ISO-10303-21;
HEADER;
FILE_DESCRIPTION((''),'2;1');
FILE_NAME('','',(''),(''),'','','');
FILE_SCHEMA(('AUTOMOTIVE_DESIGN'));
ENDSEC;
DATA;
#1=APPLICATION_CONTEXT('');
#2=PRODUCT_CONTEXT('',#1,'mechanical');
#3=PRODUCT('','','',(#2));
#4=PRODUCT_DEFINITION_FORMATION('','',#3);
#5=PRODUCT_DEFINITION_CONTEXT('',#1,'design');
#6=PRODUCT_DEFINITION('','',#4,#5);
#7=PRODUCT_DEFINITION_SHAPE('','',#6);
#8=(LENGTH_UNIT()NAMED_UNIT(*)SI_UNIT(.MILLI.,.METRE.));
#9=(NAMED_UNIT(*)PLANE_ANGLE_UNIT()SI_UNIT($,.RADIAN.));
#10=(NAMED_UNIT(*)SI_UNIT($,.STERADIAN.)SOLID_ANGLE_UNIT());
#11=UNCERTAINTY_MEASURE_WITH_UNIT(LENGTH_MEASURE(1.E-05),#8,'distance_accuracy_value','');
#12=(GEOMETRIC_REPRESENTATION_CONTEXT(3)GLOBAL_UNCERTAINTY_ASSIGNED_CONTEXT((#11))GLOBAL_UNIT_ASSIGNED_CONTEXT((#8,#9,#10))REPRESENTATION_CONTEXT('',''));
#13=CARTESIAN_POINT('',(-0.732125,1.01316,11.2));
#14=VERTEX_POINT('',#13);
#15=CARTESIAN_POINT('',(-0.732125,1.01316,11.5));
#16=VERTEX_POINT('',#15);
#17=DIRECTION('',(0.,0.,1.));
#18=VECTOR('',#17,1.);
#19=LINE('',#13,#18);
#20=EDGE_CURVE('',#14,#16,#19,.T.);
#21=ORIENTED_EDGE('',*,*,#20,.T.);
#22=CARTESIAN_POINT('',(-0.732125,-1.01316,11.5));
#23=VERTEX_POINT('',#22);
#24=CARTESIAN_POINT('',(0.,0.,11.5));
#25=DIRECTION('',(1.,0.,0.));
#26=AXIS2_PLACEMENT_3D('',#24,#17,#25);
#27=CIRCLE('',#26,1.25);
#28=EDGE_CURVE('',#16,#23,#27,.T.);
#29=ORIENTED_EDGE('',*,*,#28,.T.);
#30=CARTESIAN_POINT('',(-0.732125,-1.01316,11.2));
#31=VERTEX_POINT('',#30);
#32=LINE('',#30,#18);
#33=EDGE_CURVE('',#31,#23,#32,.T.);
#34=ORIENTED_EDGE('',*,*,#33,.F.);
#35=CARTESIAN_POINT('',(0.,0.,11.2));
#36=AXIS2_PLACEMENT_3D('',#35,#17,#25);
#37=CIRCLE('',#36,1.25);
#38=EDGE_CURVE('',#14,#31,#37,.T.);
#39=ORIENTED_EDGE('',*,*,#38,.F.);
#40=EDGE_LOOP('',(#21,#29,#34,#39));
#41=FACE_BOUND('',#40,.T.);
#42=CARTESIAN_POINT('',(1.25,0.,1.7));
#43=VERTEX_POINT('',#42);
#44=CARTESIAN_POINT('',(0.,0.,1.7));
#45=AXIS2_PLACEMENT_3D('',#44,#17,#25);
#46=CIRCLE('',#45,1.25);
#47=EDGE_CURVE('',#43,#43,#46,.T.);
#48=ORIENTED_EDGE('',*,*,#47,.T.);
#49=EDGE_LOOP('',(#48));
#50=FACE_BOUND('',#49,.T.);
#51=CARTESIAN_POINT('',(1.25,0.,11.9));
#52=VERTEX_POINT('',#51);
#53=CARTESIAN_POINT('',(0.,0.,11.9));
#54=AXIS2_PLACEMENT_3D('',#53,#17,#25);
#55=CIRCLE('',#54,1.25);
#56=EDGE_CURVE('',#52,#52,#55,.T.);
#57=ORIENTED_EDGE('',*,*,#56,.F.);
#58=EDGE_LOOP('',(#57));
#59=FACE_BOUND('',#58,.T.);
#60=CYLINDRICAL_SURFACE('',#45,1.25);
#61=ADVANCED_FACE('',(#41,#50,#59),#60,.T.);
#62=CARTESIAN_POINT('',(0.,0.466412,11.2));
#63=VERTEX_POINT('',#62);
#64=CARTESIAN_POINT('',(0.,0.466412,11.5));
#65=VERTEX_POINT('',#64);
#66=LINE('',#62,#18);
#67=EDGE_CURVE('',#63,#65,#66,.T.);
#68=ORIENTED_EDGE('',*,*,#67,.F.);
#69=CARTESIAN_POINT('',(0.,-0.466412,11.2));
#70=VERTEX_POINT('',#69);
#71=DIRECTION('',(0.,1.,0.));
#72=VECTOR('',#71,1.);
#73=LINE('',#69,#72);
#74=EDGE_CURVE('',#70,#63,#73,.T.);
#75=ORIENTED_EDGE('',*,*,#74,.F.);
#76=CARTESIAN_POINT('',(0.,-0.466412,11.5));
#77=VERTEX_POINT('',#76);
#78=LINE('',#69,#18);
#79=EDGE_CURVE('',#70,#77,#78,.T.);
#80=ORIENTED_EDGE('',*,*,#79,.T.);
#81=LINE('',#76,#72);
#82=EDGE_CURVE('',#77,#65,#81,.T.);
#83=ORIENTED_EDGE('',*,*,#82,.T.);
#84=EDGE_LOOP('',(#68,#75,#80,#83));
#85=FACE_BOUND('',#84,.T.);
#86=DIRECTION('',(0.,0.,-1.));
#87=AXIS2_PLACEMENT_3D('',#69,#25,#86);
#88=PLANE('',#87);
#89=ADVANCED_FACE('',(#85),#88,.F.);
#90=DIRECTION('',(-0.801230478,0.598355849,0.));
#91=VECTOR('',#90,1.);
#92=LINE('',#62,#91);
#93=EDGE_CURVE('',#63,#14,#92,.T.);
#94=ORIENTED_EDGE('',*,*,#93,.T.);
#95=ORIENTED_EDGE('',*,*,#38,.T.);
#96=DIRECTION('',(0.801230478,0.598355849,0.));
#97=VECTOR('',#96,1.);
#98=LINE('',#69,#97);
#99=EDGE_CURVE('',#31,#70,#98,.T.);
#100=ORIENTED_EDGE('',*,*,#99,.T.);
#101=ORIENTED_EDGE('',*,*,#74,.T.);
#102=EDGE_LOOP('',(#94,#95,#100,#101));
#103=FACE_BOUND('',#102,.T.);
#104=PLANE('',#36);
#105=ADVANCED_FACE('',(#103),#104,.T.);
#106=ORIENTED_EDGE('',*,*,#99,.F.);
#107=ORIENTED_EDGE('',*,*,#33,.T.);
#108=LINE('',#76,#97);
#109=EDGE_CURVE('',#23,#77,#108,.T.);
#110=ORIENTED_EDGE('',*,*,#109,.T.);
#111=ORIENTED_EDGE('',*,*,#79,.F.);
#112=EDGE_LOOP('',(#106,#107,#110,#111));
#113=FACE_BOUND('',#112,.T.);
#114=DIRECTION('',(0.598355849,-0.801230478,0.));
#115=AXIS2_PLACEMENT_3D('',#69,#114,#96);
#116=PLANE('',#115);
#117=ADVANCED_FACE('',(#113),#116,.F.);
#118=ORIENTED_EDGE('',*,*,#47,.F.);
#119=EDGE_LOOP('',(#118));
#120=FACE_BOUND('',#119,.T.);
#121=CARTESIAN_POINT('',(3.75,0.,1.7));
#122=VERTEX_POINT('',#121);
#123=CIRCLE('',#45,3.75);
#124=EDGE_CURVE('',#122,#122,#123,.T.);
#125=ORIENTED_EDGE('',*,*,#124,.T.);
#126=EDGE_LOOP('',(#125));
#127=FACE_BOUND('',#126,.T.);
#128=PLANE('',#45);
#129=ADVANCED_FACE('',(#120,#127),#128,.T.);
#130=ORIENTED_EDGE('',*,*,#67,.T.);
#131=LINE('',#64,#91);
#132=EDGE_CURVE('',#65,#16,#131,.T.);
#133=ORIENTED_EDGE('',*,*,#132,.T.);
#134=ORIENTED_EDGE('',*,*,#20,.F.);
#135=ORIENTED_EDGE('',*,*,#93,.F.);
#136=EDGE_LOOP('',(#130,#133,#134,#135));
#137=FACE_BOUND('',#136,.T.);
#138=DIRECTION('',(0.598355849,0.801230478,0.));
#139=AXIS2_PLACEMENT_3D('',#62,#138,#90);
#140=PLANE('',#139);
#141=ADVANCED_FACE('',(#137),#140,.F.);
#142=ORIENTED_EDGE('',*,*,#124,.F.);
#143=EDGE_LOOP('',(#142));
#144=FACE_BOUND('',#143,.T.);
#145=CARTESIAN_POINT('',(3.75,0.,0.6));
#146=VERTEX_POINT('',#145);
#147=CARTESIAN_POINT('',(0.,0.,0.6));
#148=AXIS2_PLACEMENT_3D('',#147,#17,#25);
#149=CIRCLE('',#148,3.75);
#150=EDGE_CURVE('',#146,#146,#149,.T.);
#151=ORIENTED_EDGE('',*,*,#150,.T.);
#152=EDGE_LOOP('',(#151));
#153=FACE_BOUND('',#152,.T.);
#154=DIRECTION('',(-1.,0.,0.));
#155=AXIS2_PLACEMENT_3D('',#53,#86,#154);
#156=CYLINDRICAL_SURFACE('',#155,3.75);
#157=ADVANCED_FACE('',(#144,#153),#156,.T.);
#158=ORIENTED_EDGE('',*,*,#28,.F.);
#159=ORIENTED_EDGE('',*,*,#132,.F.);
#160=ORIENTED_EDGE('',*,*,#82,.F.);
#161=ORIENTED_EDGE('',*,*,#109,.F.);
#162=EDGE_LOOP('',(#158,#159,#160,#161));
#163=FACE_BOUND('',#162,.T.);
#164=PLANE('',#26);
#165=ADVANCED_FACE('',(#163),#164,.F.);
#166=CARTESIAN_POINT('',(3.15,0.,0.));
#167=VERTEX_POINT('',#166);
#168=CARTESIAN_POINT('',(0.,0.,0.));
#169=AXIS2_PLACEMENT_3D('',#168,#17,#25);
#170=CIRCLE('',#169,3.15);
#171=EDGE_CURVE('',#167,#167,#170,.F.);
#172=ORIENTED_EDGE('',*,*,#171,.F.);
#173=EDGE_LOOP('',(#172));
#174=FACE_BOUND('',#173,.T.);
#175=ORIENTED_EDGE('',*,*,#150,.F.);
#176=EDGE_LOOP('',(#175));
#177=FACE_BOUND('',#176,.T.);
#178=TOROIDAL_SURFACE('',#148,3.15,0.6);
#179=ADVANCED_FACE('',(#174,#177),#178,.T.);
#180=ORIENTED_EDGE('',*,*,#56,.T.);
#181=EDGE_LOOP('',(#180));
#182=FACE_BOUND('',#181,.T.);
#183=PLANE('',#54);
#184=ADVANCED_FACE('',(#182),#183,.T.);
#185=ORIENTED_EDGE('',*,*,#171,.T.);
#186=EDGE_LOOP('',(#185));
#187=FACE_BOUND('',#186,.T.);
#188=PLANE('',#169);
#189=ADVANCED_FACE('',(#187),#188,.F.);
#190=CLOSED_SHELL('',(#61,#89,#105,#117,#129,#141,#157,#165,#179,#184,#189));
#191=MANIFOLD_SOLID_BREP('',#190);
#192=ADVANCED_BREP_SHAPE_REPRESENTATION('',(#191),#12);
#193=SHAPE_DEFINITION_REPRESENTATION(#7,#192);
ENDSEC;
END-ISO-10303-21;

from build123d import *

# Parameters (mm, degrees)
SKETCH1_R           = 3.75
BOSS_EXTRUDE1_DEPTH = 11.9
SKETCH2_R           = 3.75
SKETCH2_R_2         = 1.25
CUT_EXTRUDE1_DEPTH  = 10.2
FILLET1_R           = 0.6
CUT_EXTRUDE2_DEPTH  = 0.3


with BuildPart() as part:
    # Sketch1 → Boss-Extrude1 (new body)
    with BuildSketch(Plane.XY):
        Circle(SKETCH1_R)
    extrude(amount=BOSS_EXTRUDE1_DEPTH)

    # Sketch2 → Cut-Extrude1 (cut)
    with BuildSketch(Plane.XY.offset(11.9)):
        Circle(SKETCH2_R)
        Circle(SKETCH2_R_2, mode=Mode.SUBTRACT)
    extrude(amount=-CUT_EXTRUDE1_DEPTH, mode=Mode.SUBTRACT)

    # Fillet1
    fillet1_edges = [part.edges().sort_by_distance(p)[0] for p in [
        (-3.75, 0, 0),
    ]]
    fillet(fillet1_edges, radius=FILLET1_R)

    # Sketch3 → Cut-Extrude2 (cut)
    with BuildSketch(Plane.XY.offset(11.5)):
        with BuildLine():
            Line((0, 0.466411964), (-0.73212486, 1.013160002))
            ThreePointArc((-0.73212486, 1.013160002), (-1.25, 0), (-0.73212486, -1.013160002))
            Line((-0.73212486, -1.013160002), (0, -0.466411964))
            Line((0, -0.466411964), (0, 0.466411964))
        make_face()
    extrude(amount=-CUT_EXTRUDE2_DEPTH, mode=Mode.SUBTRACT)


solid = part.part
